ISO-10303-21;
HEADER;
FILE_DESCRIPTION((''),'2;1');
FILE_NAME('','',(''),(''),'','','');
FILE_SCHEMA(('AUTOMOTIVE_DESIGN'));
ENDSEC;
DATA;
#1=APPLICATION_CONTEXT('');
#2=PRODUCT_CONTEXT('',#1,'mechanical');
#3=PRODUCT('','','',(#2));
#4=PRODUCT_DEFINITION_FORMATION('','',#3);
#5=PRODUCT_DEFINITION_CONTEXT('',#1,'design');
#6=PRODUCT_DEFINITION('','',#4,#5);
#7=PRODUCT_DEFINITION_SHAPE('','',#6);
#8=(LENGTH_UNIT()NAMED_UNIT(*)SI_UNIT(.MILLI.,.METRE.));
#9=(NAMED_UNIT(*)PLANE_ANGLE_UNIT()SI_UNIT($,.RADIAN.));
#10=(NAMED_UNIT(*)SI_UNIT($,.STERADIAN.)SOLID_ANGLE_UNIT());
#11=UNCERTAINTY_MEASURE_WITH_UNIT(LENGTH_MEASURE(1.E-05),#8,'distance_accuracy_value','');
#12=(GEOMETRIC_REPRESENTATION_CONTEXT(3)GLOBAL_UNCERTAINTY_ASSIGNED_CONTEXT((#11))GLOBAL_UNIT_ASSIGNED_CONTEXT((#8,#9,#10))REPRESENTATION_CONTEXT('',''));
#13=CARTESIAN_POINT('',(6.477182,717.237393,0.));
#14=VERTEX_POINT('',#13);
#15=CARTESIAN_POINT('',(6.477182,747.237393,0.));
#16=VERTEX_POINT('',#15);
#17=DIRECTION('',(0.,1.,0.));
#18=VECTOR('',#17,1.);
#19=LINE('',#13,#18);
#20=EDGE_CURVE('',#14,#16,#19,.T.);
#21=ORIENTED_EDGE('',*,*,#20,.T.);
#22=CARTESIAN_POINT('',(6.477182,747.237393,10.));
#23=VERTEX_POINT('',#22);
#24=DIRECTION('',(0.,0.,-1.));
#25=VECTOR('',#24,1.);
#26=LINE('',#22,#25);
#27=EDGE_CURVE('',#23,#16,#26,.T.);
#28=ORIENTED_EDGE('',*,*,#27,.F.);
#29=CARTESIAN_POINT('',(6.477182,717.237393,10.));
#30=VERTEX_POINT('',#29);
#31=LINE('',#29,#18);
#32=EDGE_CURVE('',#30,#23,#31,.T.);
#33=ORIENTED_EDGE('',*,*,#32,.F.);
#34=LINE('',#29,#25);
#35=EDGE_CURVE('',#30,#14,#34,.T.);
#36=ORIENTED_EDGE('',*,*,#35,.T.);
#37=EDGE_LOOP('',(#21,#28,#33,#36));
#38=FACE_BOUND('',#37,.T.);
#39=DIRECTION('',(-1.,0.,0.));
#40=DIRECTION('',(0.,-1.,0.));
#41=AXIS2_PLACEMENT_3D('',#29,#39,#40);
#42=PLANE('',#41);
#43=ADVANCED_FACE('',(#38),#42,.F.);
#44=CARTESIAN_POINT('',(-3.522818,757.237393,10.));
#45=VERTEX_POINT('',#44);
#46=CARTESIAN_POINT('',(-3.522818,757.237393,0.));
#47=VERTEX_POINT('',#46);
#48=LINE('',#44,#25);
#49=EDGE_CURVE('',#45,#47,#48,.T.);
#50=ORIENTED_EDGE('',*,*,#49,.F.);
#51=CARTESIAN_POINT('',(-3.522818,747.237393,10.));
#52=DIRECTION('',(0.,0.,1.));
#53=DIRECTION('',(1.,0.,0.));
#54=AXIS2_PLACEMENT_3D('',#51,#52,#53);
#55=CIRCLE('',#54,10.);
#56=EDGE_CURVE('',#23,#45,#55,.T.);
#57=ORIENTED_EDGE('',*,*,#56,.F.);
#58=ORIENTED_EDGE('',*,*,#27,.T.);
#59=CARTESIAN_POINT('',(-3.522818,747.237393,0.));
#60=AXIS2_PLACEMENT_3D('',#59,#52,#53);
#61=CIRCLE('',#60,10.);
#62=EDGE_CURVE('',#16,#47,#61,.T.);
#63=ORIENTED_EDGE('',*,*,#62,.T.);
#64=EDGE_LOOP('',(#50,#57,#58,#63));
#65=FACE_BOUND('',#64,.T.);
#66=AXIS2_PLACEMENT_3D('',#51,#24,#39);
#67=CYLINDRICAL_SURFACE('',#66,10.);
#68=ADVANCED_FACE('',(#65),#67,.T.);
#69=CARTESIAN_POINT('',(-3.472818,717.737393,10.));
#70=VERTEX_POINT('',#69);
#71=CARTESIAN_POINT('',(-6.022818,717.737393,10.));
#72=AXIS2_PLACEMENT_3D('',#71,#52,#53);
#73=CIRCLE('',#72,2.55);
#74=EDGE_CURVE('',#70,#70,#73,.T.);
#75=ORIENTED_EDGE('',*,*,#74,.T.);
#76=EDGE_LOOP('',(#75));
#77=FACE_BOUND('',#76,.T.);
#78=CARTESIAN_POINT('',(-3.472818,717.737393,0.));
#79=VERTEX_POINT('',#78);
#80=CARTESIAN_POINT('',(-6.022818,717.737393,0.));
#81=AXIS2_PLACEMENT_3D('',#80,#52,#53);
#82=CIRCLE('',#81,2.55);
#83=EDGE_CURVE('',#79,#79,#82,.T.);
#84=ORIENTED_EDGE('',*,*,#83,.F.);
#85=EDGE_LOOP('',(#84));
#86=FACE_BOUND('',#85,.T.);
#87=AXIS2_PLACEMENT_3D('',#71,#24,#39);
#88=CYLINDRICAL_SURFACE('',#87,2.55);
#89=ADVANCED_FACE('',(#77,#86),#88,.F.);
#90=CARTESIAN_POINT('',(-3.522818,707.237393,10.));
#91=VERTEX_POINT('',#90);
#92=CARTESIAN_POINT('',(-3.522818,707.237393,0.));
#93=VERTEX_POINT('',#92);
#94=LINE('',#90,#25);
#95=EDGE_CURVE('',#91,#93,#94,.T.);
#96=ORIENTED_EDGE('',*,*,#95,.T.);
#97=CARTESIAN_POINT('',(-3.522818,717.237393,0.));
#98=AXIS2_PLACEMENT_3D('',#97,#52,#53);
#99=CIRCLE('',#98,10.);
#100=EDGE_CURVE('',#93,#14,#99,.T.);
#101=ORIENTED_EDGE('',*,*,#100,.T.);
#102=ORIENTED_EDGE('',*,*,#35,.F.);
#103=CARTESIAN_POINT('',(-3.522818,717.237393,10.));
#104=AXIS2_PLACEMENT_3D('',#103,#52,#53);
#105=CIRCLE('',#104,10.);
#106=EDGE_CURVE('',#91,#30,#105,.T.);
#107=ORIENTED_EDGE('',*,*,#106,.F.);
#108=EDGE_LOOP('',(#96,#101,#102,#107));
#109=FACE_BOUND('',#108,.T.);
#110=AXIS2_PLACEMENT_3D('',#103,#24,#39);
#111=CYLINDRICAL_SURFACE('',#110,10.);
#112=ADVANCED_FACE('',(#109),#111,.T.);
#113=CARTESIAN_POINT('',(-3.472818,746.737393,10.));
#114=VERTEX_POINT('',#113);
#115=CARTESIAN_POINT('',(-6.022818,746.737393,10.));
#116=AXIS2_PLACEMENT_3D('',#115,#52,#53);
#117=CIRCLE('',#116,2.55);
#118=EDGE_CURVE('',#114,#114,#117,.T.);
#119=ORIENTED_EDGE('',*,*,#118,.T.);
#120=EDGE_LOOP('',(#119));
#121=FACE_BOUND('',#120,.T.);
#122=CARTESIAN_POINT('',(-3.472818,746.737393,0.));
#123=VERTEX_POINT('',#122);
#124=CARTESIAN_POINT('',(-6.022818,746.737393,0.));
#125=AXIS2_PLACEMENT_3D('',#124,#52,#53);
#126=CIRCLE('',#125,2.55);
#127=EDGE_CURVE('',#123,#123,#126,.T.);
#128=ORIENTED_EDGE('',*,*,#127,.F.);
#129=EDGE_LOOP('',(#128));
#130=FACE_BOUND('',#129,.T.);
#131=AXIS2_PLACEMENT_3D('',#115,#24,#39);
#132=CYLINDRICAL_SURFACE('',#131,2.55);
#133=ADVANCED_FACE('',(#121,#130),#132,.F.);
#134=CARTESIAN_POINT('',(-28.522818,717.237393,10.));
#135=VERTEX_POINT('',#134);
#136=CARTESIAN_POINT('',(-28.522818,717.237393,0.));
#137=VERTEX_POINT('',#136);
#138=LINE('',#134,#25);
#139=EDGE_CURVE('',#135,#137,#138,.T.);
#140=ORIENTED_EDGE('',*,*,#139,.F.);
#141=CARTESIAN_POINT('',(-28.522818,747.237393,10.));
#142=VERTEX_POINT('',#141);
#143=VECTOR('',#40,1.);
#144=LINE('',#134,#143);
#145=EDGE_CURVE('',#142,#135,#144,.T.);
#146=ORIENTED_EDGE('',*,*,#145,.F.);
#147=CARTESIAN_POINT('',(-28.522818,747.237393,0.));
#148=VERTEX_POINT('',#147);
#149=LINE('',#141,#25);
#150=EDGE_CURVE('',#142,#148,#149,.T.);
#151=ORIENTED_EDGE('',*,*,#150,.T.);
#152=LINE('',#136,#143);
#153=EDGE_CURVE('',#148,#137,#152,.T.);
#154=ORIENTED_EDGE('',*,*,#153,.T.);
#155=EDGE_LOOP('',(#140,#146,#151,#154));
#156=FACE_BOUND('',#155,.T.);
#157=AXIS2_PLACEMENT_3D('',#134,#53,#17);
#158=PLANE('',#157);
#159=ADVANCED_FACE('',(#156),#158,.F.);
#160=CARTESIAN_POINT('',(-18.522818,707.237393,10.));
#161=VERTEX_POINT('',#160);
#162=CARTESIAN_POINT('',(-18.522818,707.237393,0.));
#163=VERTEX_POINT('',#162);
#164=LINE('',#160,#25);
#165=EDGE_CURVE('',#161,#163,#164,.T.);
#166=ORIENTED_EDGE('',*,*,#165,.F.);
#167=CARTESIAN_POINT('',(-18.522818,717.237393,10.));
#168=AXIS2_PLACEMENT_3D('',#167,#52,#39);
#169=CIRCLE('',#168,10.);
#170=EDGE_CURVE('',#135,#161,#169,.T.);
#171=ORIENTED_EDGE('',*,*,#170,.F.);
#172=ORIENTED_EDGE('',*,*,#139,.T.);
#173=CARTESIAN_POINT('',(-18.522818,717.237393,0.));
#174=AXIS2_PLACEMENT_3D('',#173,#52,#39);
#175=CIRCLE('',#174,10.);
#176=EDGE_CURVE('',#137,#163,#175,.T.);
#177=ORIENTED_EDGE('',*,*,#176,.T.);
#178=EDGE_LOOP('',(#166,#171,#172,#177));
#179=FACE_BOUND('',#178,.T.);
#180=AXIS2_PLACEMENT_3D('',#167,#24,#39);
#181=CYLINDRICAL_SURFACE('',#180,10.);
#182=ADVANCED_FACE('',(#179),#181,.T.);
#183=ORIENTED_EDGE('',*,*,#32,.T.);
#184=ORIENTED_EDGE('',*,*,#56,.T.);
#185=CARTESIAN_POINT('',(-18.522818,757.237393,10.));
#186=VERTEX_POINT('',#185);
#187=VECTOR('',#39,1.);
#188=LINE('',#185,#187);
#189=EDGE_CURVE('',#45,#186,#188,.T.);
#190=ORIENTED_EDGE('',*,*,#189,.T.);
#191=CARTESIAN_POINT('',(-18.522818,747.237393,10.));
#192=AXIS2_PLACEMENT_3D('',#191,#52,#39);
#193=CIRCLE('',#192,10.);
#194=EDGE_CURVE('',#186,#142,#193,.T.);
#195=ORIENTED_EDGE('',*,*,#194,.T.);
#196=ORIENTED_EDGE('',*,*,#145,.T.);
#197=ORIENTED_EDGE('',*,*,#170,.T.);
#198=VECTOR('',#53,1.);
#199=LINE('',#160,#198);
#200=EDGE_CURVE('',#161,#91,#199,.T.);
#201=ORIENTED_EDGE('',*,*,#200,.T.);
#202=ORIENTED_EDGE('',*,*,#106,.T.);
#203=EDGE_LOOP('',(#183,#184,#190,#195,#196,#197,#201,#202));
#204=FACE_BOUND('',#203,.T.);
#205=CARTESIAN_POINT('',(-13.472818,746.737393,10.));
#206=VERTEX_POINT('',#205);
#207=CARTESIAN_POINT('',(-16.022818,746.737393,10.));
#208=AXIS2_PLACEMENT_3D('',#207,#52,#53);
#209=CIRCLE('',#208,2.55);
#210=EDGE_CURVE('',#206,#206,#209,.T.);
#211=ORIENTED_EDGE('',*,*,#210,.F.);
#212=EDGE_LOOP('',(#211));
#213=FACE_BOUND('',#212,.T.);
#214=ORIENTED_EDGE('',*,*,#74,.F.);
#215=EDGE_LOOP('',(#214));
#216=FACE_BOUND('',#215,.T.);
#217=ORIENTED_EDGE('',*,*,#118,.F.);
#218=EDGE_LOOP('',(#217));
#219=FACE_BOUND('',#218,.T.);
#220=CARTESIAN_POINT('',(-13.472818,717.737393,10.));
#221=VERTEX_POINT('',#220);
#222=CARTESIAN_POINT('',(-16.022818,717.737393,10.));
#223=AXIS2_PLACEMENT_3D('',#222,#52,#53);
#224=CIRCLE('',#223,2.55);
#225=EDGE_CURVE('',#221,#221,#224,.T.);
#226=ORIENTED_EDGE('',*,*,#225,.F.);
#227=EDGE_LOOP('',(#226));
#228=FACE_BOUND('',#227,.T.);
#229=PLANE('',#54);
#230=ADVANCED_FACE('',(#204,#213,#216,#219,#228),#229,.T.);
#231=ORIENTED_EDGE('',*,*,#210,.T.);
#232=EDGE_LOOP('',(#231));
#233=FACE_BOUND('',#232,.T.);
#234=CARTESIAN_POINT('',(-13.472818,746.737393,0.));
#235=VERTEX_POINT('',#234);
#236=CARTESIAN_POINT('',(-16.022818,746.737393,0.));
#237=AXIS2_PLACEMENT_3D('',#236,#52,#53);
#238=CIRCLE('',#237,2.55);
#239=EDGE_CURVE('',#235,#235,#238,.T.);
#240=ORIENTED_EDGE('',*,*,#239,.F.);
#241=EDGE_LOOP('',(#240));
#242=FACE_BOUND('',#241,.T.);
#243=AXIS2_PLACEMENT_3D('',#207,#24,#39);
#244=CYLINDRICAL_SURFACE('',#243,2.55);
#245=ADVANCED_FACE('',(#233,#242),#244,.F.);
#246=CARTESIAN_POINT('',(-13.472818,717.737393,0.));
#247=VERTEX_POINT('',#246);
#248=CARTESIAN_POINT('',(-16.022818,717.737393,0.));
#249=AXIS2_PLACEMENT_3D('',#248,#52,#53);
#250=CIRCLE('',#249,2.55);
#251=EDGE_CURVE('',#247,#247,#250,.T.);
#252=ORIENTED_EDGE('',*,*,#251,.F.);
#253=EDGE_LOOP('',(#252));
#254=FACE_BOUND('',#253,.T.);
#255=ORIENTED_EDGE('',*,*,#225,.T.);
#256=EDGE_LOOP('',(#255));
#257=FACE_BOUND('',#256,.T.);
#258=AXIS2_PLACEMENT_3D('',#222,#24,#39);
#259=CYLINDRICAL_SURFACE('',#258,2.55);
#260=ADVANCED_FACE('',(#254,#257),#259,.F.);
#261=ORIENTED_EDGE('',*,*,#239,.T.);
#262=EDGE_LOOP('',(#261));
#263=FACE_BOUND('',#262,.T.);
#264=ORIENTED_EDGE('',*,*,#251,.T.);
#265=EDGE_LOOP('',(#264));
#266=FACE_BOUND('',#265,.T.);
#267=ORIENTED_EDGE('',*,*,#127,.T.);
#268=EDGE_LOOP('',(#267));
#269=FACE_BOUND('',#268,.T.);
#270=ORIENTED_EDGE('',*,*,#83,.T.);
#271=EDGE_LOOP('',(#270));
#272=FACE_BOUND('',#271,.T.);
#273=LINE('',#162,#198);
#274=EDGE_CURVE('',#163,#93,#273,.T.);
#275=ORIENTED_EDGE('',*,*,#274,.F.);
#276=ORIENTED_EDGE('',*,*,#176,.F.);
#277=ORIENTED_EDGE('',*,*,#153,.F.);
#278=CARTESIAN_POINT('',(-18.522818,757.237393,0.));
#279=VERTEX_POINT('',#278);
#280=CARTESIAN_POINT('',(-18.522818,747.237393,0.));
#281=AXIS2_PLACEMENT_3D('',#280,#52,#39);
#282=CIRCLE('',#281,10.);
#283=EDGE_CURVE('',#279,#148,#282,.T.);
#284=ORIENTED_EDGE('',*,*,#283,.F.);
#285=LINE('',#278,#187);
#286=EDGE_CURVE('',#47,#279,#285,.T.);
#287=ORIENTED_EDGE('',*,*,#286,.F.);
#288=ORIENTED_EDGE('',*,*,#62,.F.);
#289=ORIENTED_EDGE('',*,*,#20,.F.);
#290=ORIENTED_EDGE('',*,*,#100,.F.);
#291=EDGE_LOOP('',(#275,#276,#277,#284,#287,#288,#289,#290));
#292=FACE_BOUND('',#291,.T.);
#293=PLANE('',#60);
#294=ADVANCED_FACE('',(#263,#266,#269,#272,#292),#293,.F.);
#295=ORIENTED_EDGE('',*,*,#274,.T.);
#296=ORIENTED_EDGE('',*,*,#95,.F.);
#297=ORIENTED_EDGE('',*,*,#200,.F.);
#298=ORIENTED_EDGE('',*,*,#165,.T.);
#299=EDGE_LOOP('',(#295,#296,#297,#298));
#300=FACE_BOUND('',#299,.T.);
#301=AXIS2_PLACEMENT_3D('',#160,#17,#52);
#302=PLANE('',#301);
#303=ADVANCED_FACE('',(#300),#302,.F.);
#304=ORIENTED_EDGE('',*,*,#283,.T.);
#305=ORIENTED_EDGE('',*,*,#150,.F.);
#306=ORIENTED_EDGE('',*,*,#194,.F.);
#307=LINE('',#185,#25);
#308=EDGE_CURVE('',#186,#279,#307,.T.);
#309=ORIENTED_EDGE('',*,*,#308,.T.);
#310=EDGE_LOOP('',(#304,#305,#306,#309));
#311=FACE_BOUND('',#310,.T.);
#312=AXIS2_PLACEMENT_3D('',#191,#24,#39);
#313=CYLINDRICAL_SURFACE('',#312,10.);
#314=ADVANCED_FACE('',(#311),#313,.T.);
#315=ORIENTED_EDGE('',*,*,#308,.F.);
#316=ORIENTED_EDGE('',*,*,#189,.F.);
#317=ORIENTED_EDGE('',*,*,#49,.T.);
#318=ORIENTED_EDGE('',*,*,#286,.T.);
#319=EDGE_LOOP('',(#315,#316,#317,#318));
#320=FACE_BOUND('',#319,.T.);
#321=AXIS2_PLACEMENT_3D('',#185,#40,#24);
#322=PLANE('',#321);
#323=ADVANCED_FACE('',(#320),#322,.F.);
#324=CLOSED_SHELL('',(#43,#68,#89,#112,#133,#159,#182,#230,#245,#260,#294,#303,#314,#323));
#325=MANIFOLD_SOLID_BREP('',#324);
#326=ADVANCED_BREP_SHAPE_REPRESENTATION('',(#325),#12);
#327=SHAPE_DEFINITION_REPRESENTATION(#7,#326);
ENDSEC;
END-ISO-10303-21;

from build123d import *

# Parameters (mm, degrees)
SZKIC2_R                    = 2.55
DODANIE_WYCI_GNI_CIE1_DEPTH = 10


with BuildPart() as part:
    # Szkic2 → Dodanie-wyciągnięcie1 (new body)
    with BuildSketch(Plane.XY):
        with BuildLine():
            Line((6.47718246, 717.237393461), (6.47718246, 747.237393461))
            ThreePointArc((6.47718246, 747.237393461), (3.548250272, 754.308461273), (-3.52281754, 757.237393461))
            Line((-3.52281754, 757.237393461), (-18.52281754, 757.237393461))
            ThreePointArc((-18.52281754, 757.237393461), (-25.593885352, 754.308461273), (-28.52281754, 747.237393461))
            Line((-28.52281754, 747.237393461), (-28.52281754, 717.237393461))
            ThreePointArc((-28.52281754, 717.237393461), (-25.593885352, 710.16632565), (-18.52281754, 707.237393461))
            Line((-18.52281754, 707.237393461), (-3.52281754, 707.237393461))
            ThreePointArc((-3.52281754, 707.237393461), (3.548250272, 710.16632565), (6.47718246, 717.237393461))
        make_face()
        with Locations((-16.02281754, 746.737393463)):
            Circle(SZKIC2_R, mode=Mode.SUBTRACT)
        with Locations((-6.02281754, 746.737393463)):
            Circle(SZKIC2_R, mode=Mode.SUBTRACT)
        with Locations((-6.02281754, 717.737393463)):
            Circle(SZKIC2_R, mode=Mode.SUBTRACT)
        with Locations((-16.02281754, 717.737393463)):
            Circle(SZKIC2_R, mode=Mode.SUBTRACT)
    extrude(amount=DODANIE_WYCI_GNI_CIE1_DEPTH)


solid = part.part
